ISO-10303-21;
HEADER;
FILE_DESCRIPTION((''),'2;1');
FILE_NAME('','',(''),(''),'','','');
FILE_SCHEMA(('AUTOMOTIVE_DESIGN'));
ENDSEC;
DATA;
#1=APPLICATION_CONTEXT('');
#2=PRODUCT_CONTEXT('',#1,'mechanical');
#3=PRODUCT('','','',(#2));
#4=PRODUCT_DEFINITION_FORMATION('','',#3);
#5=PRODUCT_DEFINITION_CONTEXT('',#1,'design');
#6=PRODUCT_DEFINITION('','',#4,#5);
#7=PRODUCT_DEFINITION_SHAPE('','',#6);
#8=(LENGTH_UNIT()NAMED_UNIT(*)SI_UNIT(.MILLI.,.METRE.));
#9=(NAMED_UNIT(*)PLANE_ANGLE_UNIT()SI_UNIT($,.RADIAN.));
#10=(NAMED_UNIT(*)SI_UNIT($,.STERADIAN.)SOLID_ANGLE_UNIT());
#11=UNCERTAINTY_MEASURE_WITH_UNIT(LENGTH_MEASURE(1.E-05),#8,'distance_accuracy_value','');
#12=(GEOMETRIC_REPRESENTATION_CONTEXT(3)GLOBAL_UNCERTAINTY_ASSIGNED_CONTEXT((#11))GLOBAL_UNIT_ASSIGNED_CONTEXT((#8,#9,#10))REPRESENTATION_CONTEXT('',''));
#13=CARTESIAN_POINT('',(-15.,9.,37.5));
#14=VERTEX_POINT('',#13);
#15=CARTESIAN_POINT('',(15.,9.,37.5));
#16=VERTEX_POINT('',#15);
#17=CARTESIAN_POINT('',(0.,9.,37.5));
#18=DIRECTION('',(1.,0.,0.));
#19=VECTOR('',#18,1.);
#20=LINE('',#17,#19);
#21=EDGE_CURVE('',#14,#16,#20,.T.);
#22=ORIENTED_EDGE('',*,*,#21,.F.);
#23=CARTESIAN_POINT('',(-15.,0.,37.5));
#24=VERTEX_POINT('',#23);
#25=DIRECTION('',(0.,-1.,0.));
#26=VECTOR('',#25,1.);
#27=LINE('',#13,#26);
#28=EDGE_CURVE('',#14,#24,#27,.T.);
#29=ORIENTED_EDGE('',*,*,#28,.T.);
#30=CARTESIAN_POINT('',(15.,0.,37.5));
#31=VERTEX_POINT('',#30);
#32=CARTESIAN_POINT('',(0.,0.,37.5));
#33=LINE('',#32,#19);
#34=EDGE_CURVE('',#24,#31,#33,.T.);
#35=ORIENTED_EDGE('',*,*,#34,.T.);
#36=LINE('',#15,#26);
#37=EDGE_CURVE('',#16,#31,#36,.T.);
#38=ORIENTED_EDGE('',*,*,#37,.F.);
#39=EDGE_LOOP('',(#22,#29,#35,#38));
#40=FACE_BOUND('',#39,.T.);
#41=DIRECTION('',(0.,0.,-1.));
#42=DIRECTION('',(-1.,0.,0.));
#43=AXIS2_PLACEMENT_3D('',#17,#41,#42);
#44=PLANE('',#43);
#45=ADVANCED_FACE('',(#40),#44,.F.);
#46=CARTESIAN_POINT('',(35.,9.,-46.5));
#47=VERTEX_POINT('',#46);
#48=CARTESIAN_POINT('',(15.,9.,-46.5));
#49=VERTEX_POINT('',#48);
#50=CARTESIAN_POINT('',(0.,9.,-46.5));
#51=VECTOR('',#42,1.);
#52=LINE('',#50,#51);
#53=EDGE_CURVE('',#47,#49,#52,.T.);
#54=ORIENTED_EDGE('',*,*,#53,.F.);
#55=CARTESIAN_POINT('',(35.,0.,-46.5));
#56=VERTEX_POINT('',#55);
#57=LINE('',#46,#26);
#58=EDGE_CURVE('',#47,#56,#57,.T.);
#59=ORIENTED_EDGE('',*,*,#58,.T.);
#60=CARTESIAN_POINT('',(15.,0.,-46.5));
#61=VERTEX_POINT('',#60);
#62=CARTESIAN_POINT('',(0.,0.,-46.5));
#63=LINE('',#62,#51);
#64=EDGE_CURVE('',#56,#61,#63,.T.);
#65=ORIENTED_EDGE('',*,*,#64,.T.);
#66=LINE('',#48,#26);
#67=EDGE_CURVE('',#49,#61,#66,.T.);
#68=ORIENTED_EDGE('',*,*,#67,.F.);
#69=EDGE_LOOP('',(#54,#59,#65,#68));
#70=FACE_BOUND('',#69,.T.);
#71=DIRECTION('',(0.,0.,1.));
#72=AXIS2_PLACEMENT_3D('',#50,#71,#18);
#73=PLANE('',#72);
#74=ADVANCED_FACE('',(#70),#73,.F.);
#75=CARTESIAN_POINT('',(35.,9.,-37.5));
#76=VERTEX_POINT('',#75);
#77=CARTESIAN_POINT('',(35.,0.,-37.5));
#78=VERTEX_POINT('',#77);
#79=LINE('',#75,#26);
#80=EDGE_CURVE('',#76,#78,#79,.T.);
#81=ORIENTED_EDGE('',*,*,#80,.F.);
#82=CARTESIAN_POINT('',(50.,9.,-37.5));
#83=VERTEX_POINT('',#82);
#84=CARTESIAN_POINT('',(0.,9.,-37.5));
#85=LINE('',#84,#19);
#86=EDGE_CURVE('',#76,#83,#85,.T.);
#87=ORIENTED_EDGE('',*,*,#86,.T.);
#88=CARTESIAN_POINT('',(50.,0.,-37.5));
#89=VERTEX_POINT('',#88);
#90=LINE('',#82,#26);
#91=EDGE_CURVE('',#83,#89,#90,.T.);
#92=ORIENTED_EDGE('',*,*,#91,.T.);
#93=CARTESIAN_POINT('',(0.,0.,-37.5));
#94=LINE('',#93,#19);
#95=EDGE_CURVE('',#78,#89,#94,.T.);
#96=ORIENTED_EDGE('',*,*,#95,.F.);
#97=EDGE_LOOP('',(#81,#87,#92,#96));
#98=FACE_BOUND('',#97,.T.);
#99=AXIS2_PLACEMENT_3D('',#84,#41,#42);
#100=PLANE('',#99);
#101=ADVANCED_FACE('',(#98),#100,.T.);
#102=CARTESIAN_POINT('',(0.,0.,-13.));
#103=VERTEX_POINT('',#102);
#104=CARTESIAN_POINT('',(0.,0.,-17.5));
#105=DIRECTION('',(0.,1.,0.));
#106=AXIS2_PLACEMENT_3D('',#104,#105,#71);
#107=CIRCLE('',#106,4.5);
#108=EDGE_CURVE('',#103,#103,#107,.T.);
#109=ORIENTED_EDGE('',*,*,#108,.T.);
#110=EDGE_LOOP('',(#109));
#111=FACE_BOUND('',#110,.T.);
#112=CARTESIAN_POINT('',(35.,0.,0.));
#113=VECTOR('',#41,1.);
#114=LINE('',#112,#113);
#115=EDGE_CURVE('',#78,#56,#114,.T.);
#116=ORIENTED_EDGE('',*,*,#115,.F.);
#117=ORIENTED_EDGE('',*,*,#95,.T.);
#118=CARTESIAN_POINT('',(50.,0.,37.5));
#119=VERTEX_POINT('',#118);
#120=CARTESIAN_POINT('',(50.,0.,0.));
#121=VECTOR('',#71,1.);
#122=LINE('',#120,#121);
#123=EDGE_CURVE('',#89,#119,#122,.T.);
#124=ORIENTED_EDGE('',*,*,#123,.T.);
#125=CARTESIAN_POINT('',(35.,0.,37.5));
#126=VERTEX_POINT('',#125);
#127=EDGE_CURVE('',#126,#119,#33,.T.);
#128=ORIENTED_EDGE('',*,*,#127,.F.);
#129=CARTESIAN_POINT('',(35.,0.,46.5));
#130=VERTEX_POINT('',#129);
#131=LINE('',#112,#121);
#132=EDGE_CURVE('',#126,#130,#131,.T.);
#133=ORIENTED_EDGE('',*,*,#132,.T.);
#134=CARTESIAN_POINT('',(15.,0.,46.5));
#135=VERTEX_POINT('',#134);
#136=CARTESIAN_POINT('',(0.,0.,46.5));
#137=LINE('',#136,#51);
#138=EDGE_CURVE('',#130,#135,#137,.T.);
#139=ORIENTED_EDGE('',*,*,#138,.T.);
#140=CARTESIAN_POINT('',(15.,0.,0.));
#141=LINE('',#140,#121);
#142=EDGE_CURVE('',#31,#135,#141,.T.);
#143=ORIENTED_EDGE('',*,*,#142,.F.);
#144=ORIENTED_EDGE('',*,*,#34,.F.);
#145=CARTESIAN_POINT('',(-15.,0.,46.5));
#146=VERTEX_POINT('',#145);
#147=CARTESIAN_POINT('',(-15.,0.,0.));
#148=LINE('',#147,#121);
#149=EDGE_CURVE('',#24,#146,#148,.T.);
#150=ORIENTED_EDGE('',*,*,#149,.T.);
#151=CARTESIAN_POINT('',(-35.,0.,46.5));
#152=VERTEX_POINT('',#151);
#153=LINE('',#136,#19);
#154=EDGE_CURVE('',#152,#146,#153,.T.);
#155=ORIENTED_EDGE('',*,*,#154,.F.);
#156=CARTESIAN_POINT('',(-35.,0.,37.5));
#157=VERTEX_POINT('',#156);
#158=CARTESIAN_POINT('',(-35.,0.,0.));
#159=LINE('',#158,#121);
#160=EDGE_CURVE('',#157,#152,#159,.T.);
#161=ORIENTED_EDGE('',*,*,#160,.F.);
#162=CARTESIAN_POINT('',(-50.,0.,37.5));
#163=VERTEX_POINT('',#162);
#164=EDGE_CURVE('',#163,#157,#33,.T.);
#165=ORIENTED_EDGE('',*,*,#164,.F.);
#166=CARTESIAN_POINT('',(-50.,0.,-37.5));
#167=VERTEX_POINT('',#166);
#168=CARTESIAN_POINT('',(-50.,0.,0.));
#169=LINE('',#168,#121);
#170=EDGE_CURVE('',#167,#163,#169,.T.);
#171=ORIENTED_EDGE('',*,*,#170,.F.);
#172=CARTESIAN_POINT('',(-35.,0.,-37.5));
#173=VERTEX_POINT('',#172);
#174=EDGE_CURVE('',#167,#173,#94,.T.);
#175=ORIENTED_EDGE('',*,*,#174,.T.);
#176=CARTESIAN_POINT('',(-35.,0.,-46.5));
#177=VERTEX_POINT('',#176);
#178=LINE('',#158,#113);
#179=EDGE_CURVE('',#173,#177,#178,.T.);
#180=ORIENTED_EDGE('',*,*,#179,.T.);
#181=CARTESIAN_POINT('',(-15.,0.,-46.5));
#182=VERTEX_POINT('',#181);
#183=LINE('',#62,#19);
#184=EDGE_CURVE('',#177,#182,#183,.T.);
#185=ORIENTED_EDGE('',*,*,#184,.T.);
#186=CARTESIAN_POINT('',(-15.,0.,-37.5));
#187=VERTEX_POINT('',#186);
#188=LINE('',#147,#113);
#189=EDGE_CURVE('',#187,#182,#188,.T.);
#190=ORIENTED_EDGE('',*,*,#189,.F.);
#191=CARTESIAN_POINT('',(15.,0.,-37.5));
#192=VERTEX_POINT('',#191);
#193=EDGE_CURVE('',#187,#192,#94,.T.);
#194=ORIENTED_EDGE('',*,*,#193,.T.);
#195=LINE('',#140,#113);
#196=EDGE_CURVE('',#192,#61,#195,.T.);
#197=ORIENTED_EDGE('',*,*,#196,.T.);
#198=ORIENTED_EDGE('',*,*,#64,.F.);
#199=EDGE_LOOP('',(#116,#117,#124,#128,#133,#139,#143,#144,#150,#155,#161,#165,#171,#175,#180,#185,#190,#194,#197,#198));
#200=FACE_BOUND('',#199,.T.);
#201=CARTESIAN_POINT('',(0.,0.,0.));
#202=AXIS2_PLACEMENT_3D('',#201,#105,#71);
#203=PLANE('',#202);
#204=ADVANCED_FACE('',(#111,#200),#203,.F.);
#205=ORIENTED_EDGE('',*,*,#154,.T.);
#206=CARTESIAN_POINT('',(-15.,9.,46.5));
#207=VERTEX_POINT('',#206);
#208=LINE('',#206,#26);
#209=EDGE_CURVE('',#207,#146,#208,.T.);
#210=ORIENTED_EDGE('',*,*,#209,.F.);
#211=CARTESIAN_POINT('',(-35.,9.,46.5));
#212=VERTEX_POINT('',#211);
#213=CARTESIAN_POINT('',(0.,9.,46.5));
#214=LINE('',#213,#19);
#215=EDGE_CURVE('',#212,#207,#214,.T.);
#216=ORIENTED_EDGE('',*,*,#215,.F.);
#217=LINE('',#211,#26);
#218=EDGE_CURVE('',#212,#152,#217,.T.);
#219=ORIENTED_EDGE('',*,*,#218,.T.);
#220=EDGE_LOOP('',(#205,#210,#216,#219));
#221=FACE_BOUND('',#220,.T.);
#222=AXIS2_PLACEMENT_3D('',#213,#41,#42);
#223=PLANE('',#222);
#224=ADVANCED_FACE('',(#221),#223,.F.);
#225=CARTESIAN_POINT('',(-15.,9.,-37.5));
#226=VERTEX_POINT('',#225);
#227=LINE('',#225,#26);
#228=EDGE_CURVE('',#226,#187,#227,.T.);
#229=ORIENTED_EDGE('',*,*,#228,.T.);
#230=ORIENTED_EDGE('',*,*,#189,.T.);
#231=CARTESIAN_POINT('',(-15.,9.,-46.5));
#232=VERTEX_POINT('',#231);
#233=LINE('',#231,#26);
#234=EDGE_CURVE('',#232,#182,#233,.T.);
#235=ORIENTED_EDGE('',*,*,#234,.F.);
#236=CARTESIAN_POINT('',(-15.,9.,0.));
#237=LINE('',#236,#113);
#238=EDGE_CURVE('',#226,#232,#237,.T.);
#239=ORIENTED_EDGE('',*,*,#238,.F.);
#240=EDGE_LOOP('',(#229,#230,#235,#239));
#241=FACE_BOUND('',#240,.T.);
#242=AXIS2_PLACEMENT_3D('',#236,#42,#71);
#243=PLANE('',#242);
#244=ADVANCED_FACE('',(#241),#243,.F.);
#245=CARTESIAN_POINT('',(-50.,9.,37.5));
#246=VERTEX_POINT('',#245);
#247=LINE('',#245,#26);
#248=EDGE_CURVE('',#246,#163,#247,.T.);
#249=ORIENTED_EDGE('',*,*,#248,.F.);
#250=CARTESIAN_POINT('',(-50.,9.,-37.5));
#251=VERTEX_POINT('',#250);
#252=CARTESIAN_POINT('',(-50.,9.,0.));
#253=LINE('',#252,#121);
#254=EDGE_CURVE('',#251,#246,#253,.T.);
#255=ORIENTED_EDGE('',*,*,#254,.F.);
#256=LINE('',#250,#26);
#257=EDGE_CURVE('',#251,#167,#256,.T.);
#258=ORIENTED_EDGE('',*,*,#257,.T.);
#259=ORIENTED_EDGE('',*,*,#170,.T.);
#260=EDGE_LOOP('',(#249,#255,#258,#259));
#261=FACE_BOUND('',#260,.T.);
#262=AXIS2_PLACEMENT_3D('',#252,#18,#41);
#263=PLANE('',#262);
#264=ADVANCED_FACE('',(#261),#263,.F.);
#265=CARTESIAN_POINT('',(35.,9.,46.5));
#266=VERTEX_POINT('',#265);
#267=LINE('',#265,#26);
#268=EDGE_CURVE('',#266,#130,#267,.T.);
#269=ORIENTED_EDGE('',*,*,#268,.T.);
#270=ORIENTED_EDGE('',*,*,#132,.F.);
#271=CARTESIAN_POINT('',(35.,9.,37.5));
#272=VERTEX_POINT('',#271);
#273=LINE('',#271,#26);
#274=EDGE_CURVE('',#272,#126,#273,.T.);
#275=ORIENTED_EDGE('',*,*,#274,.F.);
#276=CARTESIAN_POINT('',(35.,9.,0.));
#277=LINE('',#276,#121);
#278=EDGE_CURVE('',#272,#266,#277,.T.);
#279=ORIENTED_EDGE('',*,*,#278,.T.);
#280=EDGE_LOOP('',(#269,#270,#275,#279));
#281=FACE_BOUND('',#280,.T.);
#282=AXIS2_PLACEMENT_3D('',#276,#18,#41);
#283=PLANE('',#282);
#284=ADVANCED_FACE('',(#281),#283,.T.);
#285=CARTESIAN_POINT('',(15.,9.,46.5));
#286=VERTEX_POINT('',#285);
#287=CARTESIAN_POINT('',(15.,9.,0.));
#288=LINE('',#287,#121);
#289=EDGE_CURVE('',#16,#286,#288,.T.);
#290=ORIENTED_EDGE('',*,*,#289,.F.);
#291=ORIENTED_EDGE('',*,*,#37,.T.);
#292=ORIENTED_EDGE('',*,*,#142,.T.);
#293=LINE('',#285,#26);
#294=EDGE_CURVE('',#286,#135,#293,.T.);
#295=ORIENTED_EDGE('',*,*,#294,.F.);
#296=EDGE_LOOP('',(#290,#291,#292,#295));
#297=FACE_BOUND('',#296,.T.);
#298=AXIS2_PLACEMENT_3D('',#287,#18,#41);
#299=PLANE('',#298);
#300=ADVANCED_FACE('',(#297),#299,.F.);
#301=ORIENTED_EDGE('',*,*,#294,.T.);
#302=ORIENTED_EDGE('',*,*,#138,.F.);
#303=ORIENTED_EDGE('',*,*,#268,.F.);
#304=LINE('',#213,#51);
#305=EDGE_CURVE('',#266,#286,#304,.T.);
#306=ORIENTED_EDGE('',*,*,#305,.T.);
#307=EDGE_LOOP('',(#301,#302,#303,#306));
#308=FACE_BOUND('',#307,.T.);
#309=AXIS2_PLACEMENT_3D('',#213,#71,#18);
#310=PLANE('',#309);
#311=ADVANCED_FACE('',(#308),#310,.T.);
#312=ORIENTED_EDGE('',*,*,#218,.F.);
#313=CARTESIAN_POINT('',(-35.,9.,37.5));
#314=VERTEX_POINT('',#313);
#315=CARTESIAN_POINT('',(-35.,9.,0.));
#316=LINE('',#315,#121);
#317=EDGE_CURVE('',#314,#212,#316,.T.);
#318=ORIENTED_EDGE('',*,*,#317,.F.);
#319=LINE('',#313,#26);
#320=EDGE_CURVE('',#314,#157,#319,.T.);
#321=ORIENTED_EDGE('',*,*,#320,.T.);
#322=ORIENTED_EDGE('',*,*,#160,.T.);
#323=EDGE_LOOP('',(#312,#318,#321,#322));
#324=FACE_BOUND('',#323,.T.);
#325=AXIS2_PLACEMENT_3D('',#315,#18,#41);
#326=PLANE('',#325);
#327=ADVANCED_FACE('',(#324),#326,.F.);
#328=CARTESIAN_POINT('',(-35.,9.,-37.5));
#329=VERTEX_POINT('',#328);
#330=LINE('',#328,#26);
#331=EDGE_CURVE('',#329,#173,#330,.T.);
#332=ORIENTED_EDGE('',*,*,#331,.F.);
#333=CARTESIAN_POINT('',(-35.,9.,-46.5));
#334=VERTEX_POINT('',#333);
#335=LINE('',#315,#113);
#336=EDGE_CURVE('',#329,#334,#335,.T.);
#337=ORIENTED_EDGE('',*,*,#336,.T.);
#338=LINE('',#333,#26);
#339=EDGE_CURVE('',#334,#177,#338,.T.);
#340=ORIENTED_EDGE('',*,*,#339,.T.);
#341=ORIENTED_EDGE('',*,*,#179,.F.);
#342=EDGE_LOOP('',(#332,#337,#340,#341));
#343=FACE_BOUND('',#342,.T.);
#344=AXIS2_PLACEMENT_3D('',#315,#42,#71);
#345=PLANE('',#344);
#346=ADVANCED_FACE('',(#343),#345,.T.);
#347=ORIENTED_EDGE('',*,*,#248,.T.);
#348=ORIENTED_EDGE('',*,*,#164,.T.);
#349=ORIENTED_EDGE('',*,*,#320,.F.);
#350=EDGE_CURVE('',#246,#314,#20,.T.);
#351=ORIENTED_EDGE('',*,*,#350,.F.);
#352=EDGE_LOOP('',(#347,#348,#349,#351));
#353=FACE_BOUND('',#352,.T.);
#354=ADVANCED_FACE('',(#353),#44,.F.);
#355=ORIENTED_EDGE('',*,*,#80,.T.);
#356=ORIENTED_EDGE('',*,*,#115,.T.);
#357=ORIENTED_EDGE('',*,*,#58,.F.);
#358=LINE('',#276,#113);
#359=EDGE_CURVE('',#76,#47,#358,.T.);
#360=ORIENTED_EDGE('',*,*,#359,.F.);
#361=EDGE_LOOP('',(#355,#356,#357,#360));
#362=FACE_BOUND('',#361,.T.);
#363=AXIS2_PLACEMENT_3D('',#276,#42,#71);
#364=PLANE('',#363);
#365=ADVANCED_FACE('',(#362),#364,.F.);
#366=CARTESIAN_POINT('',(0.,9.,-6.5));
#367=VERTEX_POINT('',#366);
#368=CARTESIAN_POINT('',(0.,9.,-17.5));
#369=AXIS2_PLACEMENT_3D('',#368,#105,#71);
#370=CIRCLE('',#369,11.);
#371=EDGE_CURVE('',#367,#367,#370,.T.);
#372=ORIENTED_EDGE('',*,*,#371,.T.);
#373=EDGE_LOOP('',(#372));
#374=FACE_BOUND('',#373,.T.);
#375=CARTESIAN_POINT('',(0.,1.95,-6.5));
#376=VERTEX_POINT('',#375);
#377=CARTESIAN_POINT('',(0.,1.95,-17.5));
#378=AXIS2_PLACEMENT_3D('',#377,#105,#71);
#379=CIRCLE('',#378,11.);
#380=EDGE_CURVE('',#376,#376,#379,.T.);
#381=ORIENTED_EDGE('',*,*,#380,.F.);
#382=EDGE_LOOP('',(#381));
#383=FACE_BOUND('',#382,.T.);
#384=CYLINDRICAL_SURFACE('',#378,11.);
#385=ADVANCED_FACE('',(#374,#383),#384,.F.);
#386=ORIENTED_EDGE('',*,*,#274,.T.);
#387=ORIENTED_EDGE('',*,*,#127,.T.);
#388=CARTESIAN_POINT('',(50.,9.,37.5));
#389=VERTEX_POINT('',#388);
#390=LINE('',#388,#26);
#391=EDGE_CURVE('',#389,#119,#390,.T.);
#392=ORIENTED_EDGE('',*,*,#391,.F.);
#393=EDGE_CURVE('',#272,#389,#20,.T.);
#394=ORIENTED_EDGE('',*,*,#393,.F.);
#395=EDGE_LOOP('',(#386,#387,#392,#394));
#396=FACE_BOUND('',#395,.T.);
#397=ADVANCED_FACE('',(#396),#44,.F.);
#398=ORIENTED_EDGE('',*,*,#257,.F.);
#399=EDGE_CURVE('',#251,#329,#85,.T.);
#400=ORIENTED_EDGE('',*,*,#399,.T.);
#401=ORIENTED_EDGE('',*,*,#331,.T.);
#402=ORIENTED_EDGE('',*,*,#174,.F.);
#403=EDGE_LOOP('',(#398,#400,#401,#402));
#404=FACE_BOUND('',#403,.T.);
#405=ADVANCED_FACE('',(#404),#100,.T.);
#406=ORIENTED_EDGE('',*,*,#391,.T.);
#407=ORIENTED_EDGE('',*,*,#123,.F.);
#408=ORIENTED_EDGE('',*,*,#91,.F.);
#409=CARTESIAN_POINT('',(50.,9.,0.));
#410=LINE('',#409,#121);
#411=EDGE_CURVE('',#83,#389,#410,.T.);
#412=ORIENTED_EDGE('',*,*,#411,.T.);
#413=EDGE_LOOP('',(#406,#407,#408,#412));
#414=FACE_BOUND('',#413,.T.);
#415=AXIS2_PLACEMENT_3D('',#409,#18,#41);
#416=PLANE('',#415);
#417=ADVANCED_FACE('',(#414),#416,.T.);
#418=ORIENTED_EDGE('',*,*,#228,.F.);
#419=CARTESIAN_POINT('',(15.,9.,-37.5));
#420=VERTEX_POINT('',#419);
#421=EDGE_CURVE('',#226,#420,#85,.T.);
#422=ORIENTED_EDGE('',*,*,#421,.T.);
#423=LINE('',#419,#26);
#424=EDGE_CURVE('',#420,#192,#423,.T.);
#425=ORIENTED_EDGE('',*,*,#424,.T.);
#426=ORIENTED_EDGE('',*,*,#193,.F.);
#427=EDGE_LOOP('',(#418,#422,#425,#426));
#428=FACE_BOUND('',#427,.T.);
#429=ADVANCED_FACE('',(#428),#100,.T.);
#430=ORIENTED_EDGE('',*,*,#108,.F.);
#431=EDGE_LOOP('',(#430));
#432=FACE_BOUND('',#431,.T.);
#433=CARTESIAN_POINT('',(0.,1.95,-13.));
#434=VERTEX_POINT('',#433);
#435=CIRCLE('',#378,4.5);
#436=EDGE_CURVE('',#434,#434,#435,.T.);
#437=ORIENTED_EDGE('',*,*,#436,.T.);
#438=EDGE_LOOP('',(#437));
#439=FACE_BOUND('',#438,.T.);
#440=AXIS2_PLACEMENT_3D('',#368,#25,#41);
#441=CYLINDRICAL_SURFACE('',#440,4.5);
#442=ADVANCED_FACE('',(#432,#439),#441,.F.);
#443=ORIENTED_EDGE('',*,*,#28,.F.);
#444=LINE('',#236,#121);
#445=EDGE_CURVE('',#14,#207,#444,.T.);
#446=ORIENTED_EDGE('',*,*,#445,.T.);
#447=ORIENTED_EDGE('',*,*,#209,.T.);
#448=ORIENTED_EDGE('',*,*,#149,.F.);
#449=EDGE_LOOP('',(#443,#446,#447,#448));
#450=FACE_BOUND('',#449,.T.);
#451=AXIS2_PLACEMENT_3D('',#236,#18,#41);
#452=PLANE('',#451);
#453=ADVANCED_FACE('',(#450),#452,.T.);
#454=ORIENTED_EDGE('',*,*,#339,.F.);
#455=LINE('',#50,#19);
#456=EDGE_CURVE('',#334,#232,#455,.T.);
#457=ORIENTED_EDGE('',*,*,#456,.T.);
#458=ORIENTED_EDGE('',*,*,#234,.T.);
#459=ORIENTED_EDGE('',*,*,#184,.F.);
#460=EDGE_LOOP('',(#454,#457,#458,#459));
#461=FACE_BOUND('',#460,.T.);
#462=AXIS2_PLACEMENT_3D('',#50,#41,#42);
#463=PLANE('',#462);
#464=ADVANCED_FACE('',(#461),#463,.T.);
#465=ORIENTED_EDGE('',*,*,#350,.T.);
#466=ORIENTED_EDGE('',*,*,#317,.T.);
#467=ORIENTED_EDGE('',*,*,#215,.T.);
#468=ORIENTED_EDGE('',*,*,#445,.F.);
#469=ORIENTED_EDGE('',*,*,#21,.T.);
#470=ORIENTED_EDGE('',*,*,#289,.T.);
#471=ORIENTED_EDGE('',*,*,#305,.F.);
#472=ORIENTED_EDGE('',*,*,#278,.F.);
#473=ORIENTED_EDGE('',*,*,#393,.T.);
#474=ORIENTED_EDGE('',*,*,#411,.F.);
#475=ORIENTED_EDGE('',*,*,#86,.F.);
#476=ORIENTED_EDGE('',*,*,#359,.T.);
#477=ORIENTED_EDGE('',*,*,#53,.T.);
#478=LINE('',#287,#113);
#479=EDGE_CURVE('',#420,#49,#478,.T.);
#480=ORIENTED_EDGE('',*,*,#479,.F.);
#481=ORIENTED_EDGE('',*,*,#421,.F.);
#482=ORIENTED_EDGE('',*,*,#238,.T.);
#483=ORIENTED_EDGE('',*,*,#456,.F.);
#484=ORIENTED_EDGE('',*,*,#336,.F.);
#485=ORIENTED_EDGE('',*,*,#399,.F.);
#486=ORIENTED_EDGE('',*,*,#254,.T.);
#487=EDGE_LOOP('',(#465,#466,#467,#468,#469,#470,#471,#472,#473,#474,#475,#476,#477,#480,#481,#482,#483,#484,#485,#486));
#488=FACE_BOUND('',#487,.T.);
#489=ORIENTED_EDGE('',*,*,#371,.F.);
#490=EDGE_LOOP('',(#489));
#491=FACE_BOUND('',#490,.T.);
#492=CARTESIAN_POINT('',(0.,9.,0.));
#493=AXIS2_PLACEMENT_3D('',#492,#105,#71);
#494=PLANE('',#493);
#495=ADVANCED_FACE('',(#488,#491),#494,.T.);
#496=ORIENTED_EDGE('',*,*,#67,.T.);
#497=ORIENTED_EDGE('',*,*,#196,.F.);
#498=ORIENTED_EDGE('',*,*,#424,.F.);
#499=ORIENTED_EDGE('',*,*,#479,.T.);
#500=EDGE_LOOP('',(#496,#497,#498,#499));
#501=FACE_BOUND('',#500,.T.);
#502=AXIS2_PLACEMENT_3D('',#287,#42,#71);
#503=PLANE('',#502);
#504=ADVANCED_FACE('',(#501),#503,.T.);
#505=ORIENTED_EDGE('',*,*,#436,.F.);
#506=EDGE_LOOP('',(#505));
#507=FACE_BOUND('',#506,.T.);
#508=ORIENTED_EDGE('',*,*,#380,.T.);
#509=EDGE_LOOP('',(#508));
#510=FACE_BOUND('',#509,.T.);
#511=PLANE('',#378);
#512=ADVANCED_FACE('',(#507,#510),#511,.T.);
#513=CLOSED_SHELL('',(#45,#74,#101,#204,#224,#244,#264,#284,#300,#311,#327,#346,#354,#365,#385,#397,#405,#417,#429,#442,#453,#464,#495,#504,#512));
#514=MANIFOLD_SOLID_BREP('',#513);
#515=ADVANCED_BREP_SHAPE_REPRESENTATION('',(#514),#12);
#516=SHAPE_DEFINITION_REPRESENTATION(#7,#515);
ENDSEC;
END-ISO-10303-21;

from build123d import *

# Parameters (mm, degrees)
BOSS_EXTRUDE1_DEPTH = 9
SKETCH3_R           = 11
CUT_EXTRUDE1_DEPTH  = 7.05


with BuildPart() as part:
    # Sketch2 → Boss-Extrude1 (new body)
    with BuildSketch(Plane(origin=(0, 0, 0), x_dir=(1, 0, 0), z_dir=(0, 1, 0))):
        Polygon((-35, 37.5), (-50, 37.5), (-50, -37.5), (-35, -37.5), (-35, -46.5), (-15, -46.5), (-15, -37.5), (15, -37.5), (15, -46.5), (35, -46.5), (35, -37.5), (50, -37.5), (50, 37.5), (35, 37.5), (35, 46.5), (15, 46.5), (15, 37.5), (-15, 37.5), (-15, 46.5), (-35, 46.5), align=None)
        with BuildLine():
            ThreePointArc((4.5, 17.5), (0, 13), (-4.5, 17.5))
            ThreePointArc((-4.5, 17.5), (0, 22), (4.5, 17.5))
        make_face(mode=Mode.SUBTRACT)
    extrude(amount=BOSS_EXTRUDE1_DEPTH)

    # Sketch3 → Cut-Extrude1 (cut)
    with BuildSketch(Plane(origin=(0, 9, 0), x_dir=(1, 0, 0), z_dir=(0, 1, 0))):
        with Locations(Location((0, 17.5, 0), (0, 0, 270))):
            Circle(SKETCH3_R)
    extrude(amount=-CUT_EXTRUDE1_DEPTH, mode=Mode.SUBTRACT)


solid = part.part
